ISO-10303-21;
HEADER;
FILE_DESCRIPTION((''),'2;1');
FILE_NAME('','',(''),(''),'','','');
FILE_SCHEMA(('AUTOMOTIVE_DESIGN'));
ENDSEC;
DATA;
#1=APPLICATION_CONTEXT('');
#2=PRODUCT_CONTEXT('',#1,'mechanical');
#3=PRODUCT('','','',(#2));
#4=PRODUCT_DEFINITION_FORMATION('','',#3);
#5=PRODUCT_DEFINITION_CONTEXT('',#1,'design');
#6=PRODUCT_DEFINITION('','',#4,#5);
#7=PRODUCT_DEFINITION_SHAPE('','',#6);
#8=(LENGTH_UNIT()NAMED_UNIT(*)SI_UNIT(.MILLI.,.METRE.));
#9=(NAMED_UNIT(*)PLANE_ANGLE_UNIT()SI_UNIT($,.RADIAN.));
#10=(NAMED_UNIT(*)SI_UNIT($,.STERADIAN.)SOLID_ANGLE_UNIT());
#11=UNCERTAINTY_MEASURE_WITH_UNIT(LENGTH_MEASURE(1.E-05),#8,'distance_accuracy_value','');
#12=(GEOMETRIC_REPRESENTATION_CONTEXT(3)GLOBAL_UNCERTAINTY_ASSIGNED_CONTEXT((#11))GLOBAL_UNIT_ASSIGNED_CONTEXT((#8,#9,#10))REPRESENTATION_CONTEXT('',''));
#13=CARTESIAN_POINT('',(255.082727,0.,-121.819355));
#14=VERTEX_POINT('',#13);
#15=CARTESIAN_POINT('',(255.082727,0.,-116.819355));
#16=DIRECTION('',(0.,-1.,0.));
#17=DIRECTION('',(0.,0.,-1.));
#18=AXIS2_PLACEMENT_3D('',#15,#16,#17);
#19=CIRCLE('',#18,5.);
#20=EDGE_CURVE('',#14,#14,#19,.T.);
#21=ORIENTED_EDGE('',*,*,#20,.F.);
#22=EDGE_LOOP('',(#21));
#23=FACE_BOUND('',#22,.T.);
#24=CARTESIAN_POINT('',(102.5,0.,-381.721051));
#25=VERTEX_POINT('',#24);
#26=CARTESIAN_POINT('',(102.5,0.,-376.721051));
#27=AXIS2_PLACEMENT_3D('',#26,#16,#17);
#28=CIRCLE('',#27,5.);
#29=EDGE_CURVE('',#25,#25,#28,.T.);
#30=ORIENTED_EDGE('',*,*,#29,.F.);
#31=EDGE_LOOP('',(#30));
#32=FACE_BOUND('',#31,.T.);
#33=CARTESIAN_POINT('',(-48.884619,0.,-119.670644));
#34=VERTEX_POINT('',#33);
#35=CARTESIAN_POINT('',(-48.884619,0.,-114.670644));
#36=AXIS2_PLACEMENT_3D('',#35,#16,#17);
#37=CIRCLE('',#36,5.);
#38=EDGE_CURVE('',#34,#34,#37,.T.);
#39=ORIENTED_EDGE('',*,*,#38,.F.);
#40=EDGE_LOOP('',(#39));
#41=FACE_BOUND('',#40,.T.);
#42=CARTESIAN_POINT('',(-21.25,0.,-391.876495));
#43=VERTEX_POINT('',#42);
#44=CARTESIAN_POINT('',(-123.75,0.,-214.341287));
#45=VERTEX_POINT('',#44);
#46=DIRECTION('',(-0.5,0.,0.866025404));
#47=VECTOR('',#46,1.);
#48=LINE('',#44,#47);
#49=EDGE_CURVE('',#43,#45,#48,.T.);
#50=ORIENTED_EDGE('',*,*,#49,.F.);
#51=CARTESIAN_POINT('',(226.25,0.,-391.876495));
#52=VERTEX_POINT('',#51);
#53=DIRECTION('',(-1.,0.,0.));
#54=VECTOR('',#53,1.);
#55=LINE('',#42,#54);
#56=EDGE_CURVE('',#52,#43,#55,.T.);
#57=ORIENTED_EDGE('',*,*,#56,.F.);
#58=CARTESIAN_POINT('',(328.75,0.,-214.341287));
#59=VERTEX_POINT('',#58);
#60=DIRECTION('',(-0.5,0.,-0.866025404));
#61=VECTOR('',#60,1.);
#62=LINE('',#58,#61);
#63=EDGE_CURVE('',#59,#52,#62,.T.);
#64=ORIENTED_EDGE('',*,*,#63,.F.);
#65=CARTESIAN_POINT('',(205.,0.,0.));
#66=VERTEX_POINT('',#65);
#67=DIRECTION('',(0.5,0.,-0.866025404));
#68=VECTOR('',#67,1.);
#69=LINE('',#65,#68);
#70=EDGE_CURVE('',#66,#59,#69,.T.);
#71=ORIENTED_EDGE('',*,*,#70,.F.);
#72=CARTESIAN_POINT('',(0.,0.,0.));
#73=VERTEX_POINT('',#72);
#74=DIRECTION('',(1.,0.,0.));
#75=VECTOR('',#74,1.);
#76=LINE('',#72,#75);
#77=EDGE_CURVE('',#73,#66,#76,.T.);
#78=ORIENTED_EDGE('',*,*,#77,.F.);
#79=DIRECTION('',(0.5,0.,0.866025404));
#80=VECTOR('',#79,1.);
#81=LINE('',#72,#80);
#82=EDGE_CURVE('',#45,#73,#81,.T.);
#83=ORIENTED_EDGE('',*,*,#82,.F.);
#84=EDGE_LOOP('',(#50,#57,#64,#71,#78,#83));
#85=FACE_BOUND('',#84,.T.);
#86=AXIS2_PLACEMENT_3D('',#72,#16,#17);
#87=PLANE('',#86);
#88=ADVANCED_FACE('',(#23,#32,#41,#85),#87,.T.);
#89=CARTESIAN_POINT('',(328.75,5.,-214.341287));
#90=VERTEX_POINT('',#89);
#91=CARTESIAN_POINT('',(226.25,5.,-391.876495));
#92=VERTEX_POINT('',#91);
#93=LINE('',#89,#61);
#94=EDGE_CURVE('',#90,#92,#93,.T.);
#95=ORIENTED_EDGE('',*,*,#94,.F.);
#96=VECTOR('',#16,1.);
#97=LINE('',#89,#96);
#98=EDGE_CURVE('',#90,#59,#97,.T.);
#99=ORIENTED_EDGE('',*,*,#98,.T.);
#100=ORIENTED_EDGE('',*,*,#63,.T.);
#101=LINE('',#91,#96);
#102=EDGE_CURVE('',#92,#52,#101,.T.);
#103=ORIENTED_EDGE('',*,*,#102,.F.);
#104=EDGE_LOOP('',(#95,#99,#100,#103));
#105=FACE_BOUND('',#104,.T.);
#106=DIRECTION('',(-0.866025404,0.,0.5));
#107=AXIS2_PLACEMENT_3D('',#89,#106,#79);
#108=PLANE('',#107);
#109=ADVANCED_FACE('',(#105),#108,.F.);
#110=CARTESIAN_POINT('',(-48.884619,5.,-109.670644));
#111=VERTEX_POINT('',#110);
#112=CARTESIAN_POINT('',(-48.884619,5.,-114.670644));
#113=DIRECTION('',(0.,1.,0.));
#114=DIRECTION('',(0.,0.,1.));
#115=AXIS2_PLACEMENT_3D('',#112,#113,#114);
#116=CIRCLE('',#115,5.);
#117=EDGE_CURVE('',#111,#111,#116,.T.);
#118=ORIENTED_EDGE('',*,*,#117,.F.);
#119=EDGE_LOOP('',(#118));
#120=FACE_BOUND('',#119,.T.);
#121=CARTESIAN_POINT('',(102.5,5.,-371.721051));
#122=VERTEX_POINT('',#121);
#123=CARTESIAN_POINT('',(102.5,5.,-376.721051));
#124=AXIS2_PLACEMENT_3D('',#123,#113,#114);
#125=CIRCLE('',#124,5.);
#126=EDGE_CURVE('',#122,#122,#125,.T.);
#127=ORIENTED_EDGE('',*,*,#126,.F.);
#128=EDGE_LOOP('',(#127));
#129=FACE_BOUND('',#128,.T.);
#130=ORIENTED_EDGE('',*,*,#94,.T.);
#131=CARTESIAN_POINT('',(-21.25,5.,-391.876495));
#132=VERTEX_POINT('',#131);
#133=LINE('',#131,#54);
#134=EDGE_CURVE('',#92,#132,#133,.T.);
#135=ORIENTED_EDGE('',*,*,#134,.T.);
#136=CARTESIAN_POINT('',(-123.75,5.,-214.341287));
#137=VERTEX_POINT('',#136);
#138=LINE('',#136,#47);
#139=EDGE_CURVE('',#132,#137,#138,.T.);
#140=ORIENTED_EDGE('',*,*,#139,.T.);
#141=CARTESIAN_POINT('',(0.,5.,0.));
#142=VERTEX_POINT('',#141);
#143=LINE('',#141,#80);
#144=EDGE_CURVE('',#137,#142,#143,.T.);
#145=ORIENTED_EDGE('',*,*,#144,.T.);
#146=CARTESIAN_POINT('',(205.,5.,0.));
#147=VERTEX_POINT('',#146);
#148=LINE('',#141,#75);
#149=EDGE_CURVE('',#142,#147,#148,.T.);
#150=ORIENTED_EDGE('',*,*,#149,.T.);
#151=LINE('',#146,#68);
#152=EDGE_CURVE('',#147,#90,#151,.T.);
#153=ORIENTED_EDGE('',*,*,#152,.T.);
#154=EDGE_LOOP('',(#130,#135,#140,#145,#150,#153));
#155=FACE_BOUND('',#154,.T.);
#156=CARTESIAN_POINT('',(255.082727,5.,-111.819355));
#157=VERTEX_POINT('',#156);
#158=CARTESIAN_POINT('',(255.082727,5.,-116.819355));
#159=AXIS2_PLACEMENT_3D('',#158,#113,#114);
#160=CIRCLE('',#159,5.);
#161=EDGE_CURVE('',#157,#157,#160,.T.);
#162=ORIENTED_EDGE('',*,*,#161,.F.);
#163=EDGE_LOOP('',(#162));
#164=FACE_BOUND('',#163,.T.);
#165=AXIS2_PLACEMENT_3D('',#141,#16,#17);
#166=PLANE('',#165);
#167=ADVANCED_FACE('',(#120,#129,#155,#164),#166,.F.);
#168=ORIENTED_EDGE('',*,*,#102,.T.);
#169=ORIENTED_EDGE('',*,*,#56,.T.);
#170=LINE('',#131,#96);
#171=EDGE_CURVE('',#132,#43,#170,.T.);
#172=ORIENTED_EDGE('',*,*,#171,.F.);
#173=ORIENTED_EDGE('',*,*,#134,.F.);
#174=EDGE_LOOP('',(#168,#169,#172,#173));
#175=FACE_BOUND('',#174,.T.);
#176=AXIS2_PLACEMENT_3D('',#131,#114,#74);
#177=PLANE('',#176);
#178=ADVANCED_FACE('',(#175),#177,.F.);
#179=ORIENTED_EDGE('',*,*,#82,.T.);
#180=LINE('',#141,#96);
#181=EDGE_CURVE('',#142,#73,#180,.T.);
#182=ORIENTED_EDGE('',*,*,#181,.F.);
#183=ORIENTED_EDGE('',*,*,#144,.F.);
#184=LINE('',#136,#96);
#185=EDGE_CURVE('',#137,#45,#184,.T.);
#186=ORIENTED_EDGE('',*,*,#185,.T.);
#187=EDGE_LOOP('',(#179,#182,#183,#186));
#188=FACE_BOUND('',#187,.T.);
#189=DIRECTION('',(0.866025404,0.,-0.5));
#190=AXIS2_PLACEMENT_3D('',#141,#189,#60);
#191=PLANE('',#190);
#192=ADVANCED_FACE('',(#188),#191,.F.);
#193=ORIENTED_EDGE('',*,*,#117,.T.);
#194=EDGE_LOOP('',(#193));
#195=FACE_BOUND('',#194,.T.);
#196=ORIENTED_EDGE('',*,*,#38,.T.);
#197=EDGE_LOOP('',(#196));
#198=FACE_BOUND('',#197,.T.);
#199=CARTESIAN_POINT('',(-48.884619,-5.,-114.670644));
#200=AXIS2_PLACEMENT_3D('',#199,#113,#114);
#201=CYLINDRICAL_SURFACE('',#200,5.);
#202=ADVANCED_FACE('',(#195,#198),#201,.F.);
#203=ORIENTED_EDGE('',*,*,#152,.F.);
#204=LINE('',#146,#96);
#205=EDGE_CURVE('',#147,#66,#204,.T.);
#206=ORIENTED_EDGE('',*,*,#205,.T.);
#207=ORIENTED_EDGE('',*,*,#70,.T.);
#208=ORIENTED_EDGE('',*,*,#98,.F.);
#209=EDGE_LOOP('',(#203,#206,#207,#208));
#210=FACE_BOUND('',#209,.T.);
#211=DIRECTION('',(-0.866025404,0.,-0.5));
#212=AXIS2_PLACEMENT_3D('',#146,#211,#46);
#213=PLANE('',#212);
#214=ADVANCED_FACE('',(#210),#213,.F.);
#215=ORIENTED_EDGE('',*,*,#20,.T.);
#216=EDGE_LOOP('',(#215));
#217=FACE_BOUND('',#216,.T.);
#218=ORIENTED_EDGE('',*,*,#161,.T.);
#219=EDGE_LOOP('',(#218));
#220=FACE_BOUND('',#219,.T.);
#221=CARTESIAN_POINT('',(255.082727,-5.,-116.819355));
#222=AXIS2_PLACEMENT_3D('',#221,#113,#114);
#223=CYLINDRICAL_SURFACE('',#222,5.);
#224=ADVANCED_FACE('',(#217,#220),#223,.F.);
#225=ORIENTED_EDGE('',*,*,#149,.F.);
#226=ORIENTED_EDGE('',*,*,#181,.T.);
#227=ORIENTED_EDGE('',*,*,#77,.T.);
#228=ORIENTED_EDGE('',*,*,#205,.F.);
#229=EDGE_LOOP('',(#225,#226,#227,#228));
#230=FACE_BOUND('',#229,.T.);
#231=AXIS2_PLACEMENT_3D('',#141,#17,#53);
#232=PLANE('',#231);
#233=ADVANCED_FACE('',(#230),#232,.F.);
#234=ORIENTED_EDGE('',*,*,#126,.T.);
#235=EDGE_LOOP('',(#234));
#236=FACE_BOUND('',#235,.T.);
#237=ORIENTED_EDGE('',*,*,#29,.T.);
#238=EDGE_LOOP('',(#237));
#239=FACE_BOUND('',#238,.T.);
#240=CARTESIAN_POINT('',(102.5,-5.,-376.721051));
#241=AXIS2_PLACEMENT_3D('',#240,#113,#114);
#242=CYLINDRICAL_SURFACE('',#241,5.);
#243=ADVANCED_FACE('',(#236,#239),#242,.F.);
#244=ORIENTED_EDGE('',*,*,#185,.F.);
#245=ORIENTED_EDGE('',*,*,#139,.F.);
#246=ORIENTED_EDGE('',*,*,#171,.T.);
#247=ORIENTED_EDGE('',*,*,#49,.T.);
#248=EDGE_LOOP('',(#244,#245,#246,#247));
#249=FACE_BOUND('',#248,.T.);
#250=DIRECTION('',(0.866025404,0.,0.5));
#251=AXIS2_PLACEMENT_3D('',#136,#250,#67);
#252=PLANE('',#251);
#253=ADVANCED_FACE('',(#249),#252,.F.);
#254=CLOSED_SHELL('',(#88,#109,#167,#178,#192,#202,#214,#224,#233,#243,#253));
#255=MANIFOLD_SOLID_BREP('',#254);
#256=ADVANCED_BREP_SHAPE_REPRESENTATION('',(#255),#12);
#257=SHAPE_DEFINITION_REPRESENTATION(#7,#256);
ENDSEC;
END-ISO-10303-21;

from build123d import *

# Parameters (mm, degrees)
BOSS_EXTRUDE2_DEPTH = 5
SKETCH3_R           = 5
CUT_EXTRUDE3_DEPTH  = 10


with BuildPart() as part:
    # Sketch2 → Boss-Extrude2 (new body)
    with BuildSketch(Plane(origin=(0, 0, 0), x_dir=(1, 0, 0), z_dir=(0, 1, 0))):
        Polygon((0, 0), (205, 0), (328.75, 214.341287437), (226.25, 391.876495212), (-21.25, 391.876495212), (-123.75, 214.341287437), align=None)
    extrude(amount=BOSS_EXTRUDE2_DEPTH)

    # Sketch3 → Cut-Extrude3 (cut)
    with BuildSketch(Plane(origin=(0, 5, 0), x_dir=(1, 0, 0), z_dir=(0, 1, 0))):
        with Locations((102.5, 376.721050646)):
            Circle(SKETCH3_R)
        with Locations((255.08272676, 116.819354837)):
            Circle(SKETCH3_R)
        with Locations((-48.884618943, 114.670643718)):
            Circle(SKETCH3_R)
    extrude(amount=-CUT_EXTRUDE3_DEPTH, mode=Mode.SUBTRACT)


solid = part.part
